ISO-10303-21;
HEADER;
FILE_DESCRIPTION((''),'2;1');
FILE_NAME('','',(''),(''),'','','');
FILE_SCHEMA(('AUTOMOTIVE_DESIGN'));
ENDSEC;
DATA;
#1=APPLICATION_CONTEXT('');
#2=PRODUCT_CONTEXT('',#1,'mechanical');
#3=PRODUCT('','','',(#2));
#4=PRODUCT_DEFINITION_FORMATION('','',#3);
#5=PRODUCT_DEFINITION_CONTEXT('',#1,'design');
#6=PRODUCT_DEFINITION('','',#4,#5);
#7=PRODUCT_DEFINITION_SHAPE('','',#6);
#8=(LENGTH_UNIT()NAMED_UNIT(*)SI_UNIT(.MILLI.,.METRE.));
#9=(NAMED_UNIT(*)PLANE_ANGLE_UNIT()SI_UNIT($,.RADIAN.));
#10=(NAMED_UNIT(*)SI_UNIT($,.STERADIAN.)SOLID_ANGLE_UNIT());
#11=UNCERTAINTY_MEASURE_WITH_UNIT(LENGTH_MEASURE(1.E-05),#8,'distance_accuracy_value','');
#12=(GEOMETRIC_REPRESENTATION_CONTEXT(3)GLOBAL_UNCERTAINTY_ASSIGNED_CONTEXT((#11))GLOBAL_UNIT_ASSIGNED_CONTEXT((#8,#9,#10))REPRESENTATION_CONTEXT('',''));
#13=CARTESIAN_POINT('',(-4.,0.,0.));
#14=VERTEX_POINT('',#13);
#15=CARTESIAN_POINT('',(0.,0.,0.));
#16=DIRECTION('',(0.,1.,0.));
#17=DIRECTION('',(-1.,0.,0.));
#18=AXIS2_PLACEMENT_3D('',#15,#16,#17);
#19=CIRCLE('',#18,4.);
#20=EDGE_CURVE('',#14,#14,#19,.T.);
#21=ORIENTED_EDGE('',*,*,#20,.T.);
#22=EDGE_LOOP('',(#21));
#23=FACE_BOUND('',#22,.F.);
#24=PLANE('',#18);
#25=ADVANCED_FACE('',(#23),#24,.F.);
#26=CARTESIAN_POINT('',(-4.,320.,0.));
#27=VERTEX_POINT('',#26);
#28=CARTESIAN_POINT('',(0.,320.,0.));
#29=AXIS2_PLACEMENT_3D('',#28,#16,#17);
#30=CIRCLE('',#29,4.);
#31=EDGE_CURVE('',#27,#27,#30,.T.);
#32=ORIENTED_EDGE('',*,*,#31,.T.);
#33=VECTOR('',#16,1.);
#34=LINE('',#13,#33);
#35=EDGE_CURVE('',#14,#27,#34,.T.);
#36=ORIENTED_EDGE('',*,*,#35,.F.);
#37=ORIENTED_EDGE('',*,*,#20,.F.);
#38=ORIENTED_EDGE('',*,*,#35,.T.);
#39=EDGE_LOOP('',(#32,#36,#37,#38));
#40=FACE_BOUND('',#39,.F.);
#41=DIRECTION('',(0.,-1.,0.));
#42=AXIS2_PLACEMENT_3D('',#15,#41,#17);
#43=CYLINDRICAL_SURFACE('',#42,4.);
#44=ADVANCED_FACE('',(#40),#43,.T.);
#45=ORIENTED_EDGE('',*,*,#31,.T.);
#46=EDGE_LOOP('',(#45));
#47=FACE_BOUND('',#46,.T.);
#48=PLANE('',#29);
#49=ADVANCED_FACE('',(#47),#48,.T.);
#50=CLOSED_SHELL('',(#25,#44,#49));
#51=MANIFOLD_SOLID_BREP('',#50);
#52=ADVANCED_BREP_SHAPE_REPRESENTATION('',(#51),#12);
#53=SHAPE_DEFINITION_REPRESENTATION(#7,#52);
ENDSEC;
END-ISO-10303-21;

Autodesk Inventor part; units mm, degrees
ref_plane "YZ Plane" through (0, 0, 0) normal (1, 0, 0) x (0, 1, 0)
ref_plane "XZ Plane" through (0, 0, 0) normal (0, 1, 0) x (-1, 0, 0)
ref_plane "XY Plane" through (0, 0, 0) normal (0, 0, 1) x (1, 0, 0)
sketch "Sketch1" plane through (0, 0, 0) normal (0, 1, 0) x (-1, 0, 0)
  circle A0 centre (0, 0) radius 4
  dimension "d0" = 8
extrude "Extrusion1" add sketch "Sketch1" along normal blind 320
properties part number "fi8x320"
